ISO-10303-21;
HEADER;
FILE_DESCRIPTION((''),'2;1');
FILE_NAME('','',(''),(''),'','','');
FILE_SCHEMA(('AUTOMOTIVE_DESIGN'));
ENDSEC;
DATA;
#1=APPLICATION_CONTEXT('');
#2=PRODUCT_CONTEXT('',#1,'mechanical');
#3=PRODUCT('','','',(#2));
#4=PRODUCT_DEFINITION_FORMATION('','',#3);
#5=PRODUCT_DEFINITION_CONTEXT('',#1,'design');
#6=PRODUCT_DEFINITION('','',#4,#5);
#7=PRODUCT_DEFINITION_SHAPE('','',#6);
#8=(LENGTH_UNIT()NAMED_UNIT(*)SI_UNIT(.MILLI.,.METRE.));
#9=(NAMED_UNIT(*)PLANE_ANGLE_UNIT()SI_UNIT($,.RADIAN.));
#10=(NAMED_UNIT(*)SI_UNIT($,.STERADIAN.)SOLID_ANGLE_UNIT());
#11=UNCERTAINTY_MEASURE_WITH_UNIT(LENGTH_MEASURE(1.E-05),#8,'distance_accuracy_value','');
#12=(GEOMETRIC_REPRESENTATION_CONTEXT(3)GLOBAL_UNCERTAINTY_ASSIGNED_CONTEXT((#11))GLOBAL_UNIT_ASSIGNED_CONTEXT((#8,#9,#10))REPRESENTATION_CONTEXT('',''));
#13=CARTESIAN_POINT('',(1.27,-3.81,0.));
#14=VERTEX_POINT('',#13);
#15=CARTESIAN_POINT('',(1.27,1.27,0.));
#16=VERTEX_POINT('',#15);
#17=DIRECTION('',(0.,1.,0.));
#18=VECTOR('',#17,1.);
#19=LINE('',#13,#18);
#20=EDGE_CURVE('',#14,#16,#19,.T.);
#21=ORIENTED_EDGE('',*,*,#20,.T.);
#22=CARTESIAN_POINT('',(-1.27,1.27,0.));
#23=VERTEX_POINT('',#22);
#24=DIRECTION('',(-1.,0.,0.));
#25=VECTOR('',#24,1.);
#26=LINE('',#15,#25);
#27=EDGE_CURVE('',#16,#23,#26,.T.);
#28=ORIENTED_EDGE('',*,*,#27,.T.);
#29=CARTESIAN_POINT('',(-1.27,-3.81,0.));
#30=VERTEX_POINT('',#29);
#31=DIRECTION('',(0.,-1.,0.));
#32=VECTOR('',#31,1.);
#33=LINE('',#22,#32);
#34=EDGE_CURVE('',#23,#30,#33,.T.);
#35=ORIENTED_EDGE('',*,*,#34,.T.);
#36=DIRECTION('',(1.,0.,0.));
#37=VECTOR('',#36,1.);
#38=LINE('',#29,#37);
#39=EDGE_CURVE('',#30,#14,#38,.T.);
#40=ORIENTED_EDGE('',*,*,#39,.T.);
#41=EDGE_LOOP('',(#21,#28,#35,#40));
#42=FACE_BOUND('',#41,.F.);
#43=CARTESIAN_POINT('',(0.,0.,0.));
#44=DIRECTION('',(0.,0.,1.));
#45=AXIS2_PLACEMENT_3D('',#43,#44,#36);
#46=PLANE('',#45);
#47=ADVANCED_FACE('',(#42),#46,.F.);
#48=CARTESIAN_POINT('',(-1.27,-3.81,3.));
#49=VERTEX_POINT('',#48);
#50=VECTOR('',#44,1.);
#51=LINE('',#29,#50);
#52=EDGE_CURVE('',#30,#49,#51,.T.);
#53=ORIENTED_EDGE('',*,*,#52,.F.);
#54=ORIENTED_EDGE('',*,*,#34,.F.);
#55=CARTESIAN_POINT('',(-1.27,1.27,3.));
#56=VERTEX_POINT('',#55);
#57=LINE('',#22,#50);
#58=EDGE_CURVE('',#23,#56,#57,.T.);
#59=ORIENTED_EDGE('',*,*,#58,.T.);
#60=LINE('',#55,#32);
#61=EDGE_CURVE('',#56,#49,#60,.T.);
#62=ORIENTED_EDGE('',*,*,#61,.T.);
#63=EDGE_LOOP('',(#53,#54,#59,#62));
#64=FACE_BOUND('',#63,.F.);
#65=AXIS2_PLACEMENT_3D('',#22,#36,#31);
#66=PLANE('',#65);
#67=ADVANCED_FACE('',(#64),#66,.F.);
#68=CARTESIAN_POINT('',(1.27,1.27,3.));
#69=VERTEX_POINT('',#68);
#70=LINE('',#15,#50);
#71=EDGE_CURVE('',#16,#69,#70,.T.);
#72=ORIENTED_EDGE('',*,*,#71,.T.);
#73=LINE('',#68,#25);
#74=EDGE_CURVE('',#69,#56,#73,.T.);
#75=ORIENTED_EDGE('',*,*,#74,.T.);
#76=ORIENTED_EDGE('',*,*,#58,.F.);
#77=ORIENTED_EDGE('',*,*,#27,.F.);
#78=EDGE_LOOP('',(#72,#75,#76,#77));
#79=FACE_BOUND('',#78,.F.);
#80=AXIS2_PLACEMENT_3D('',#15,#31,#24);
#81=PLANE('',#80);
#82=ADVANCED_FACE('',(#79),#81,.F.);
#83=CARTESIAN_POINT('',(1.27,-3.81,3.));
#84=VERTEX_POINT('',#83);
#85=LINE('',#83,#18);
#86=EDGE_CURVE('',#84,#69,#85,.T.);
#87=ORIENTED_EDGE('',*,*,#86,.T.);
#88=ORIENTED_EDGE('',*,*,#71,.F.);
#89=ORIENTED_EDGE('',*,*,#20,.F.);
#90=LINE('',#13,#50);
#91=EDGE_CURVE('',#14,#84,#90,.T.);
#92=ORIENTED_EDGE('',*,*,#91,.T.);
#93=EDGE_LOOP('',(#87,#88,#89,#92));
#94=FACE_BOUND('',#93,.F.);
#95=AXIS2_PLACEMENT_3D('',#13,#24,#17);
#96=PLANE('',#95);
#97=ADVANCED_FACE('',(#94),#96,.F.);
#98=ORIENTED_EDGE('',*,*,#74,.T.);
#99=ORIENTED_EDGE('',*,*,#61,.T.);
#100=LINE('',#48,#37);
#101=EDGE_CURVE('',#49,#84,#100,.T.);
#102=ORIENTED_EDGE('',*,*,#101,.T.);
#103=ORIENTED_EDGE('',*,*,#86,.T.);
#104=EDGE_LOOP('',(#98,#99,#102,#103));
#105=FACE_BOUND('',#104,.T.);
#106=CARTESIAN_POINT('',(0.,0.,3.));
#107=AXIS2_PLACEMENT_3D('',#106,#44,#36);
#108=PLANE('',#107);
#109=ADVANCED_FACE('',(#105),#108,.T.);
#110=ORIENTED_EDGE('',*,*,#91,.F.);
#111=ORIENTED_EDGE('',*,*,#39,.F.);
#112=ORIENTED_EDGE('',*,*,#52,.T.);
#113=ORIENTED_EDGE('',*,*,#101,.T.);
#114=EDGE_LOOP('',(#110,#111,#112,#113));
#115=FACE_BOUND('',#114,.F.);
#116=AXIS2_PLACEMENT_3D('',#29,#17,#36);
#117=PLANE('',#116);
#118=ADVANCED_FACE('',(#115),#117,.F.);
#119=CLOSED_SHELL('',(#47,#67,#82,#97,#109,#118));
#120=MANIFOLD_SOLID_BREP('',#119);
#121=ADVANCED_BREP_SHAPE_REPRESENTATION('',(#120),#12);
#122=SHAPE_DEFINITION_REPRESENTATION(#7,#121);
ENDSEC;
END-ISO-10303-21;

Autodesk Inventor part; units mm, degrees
ref_plane "YZ Plane" through (0, 0, 0) normal (1, 0, 0) x (0, 1, 0)
ref_plane "XZ Plane" through (0, 0, 0) normal (0, 1, 0) x (-1, 0, 0)
ref_plane "XY Plane" through (0, 0, 0) normal (0, 0, 1) x (1, 0, 0)
sketch "2, 2WP_12" plane through (0, 0, 0) normal (0, 0, 1) x (1, 0, 0)
  line L0 (-1.27, 1.27) -> (-1.27, -3.81)
  line L1 (-1.27, -3.81) -> (1.27, -3.81)
  line L2 (1.27, -3.81) -> (1.27, 1.27)
  line L3 (1.27, 1.27) -> (-1.27, 1.27)
extrude "Extrusion1" add sketch "2, 2WP_12" along normal blind 3
properties part number "2WP"
